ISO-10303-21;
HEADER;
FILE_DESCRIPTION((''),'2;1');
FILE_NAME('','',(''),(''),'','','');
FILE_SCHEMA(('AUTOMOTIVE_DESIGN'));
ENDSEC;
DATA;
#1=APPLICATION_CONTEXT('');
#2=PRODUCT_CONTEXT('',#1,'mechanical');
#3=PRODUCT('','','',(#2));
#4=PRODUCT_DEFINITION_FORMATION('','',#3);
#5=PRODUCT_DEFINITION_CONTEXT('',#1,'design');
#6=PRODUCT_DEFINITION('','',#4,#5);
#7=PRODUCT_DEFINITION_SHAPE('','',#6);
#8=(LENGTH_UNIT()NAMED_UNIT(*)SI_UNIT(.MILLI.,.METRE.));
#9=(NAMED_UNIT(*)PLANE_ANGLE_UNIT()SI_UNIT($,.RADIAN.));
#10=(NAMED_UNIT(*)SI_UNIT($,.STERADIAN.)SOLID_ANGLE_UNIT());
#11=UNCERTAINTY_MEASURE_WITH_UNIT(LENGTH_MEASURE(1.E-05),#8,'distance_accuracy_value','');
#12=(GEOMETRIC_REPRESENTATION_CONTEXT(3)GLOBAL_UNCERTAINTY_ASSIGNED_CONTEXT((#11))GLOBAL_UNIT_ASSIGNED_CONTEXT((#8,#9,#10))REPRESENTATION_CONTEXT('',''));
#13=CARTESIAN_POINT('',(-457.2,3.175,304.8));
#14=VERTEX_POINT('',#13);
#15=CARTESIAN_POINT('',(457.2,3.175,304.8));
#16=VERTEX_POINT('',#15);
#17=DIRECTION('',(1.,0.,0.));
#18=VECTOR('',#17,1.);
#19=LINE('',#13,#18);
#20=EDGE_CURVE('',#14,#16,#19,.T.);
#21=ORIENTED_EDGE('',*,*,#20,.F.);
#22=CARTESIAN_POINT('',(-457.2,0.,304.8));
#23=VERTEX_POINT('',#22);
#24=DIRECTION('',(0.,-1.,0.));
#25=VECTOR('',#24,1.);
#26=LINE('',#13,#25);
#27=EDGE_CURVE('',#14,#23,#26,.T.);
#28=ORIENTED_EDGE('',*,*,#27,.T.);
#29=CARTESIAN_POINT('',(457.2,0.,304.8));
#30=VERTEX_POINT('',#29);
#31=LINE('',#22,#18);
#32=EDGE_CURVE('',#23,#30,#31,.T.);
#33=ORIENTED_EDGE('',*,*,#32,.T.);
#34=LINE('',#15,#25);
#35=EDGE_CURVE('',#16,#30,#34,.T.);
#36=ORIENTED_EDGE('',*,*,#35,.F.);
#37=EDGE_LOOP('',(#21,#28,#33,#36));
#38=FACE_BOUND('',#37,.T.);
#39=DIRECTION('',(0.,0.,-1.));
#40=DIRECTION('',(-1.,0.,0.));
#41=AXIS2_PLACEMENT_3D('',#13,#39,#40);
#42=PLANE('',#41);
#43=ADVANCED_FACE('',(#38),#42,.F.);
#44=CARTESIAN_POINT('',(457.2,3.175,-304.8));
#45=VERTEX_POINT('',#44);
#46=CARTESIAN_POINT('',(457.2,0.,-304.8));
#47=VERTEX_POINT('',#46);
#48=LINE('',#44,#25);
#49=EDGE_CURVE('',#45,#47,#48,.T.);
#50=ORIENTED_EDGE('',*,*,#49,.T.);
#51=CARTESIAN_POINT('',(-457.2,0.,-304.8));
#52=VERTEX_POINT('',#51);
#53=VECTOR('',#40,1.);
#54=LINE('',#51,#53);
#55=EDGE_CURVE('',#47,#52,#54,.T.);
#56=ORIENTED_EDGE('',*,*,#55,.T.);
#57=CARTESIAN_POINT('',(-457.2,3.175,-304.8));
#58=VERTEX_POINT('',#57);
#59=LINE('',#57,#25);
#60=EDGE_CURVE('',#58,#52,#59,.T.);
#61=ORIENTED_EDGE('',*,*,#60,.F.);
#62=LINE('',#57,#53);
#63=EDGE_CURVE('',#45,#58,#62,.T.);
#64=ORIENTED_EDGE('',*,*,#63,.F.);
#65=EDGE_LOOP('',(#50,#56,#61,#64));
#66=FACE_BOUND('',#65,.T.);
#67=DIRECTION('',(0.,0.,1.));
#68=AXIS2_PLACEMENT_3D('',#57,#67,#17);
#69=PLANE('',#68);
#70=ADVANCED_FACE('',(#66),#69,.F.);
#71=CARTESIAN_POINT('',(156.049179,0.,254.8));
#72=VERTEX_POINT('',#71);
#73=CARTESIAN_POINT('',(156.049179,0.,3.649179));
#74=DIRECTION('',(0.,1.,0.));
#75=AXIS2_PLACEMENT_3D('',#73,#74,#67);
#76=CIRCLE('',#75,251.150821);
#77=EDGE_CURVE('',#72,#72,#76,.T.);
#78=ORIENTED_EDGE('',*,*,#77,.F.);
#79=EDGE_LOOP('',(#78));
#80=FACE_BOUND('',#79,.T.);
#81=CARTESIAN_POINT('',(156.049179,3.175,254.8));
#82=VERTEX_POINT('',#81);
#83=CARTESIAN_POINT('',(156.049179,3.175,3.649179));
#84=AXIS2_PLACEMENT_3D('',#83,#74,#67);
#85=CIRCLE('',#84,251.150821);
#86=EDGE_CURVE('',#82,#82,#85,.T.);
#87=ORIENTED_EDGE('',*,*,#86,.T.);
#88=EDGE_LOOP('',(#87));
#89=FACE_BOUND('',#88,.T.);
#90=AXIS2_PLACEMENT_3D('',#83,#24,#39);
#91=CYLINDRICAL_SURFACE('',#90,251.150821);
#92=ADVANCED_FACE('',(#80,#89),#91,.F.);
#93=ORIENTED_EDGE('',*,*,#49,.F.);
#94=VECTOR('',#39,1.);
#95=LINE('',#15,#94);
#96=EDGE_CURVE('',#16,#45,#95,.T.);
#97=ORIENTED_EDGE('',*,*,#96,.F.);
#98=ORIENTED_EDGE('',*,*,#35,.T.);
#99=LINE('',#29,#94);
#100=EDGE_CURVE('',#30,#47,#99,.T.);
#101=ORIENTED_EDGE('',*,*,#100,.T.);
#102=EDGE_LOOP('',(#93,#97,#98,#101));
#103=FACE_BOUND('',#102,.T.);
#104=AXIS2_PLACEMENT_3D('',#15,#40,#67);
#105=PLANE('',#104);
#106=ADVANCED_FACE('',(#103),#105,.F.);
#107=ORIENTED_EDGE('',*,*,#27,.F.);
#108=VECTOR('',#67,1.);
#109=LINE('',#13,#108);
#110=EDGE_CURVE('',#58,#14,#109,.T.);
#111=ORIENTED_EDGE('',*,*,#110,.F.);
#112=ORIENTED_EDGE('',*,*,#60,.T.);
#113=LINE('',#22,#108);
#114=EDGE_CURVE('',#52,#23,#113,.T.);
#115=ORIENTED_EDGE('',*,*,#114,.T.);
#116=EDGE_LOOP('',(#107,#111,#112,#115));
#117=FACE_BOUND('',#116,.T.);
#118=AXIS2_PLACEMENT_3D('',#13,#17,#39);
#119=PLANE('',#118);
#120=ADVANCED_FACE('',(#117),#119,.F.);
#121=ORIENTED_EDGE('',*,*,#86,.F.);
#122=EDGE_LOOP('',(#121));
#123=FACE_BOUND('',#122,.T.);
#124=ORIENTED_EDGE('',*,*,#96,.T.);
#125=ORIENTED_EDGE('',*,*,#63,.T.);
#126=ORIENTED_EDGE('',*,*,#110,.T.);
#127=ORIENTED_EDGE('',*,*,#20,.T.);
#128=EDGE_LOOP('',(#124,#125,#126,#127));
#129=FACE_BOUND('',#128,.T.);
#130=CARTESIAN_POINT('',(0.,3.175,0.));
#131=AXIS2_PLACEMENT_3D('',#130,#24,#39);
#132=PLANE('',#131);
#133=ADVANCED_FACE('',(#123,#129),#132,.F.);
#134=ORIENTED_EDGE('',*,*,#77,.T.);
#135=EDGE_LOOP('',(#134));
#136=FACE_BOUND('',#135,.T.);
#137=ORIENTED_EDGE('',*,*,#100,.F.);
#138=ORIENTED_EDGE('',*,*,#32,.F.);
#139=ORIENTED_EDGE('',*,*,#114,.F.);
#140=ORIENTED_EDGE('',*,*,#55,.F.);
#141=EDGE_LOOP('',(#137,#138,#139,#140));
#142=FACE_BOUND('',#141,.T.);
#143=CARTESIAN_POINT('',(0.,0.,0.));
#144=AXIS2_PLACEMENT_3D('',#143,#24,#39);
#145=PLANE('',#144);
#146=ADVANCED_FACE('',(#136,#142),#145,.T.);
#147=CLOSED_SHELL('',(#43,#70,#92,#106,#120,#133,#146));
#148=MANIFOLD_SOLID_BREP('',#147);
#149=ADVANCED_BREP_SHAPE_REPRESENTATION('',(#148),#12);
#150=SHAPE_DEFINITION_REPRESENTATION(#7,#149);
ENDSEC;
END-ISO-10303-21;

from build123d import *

# Parameters (mm, degrees)
SKETCH1_W           = 914.4
SKETCH1_H           = 609.6
SKETCH1_R           = 251.150820843
BOSS_EXTRUDE1_DEPTH = 3.175


with BuildPart() as part:
    # Sketch1 → Boss-Extrude1 (new body)
    with BuildSketch(Plane(origin=(0, 0, 0), x_dir=(1, 0, 0), z_dir=(0, 1, 0))):
        Rectangle(SKETCH1_W, SKETCH1_H)
        with Locations(Location((156.049179157, -3.649179157, 0), (0, 0, 270))):
            Circle(SKETCH1_R, mode=Mode.SUBTRACT)
    extrude(amount=BOSS_EXTRUDE1_DEPTH)


solid = part.part
